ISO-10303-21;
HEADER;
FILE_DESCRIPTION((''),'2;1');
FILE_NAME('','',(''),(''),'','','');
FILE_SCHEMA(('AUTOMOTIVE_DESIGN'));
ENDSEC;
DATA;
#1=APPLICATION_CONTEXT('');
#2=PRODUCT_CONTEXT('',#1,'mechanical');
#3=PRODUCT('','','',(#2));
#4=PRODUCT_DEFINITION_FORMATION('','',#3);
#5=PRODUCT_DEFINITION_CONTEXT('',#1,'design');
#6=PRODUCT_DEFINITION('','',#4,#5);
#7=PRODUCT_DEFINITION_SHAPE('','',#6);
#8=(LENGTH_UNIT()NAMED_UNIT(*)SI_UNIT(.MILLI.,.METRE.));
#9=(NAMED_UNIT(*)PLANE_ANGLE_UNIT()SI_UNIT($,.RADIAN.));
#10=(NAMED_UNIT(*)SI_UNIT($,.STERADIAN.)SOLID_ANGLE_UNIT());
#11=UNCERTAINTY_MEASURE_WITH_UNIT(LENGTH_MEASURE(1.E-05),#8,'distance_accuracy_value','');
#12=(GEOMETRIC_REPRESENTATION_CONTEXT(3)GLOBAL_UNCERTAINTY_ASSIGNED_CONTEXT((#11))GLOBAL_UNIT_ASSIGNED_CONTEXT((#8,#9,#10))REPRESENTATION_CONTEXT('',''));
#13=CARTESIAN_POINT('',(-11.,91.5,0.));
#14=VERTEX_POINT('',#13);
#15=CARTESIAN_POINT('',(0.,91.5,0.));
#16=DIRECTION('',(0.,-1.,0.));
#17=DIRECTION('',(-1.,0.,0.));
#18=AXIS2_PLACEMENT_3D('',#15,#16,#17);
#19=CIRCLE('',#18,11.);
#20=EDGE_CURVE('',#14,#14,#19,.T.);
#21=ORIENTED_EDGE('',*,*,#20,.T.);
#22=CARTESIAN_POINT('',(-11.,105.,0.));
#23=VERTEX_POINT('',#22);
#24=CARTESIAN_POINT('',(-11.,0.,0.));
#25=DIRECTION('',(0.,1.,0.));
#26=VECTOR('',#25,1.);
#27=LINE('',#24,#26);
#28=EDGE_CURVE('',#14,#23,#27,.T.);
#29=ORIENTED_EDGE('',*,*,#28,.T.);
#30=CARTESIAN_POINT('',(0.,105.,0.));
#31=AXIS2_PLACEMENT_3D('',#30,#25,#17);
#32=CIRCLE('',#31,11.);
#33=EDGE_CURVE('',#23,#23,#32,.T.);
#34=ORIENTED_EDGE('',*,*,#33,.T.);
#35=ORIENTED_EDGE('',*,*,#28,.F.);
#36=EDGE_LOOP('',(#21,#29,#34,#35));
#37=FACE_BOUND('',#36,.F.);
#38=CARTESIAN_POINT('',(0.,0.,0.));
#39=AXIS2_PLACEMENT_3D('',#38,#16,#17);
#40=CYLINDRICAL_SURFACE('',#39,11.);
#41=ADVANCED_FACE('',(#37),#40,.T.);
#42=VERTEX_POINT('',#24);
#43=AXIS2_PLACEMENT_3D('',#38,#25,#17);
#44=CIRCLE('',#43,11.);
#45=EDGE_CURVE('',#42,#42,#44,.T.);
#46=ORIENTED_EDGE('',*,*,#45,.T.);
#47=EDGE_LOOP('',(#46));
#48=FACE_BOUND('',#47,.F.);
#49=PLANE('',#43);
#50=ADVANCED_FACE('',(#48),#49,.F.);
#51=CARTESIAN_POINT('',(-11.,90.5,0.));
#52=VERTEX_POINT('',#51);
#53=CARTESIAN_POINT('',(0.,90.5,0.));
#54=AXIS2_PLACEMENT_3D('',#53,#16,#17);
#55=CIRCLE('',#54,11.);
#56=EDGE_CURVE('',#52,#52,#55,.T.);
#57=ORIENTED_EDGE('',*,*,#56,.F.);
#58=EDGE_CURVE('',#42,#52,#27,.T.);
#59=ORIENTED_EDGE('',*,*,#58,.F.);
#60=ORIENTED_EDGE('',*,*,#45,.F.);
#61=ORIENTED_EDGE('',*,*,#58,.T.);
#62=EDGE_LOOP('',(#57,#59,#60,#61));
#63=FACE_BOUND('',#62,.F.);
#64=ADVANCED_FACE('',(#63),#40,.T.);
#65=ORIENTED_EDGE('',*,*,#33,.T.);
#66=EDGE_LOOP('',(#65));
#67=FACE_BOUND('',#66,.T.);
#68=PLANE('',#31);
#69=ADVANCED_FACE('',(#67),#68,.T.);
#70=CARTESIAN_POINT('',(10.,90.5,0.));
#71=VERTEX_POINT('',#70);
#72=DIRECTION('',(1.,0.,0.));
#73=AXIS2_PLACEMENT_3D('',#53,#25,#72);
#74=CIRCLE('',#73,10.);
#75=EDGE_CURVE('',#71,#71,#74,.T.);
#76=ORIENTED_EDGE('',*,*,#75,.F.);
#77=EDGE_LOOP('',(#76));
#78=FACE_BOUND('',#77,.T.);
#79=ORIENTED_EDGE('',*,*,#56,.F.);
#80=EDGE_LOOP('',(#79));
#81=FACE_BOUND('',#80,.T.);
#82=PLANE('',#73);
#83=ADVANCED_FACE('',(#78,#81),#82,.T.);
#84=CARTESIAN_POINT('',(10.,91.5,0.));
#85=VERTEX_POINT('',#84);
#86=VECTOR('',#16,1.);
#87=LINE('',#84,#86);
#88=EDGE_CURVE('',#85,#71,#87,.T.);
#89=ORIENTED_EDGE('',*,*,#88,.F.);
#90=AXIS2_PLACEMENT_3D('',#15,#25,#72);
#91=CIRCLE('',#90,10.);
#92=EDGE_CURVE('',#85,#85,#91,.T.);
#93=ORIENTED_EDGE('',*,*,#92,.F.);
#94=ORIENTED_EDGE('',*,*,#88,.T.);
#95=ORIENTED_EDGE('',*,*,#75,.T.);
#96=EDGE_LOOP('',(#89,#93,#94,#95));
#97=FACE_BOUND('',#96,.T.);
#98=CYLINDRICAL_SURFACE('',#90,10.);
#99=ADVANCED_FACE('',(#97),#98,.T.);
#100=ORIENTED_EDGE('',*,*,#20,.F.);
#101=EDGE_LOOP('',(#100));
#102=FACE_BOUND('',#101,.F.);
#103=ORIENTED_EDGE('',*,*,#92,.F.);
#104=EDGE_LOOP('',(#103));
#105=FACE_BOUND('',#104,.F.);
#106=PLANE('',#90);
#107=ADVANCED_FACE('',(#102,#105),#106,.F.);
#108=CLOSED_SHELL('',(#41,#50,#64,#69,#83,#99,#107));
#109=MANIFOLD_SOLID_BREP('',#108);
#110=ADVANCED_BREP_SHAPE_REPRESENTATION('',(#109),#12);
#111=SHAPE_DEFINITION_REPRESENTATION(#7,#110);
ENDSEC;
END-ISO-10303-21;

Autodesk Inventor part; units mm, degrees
ref_plane "YZ Plane" through (0, 0, 0) normal (1, 0, 0) x (0, 1, 0)
ref_plane "XZ Plane" through (0, 0, 0) normal (0, 1, 0) x (-1, 0, 0)
sketch "Boceto1" plane through (0, 0, 0) normal (0, 1, 0) x (-1, 0, 0)
  circle A0 centre (0, 0) radius 11
  dimension "d0" = 22
extrude "Extrusión1" add sketch "Boceto1" along normal blind 105
ref_plane "Plano de trabajo1" through (0, 91.5, 0) normal (0, 1, 0) x (1, 0, 0)
sketch "Boceto2" plane through (0, 91.5, 0) normal (0, 1, 0) x (1, 0, 0)
  circle A0 centre (0, 0) radius 11
  circle A1 centre (0, 0) radius 10
  dimension "d4" = 20
extrude "Extrusión2" cut sketch "Boceto2" against normal blind 1
thread "Rosca1" size "M22x1.5" class "6g" standard "ANSI Metric M Profile" full length
properties part number "W520superior"
